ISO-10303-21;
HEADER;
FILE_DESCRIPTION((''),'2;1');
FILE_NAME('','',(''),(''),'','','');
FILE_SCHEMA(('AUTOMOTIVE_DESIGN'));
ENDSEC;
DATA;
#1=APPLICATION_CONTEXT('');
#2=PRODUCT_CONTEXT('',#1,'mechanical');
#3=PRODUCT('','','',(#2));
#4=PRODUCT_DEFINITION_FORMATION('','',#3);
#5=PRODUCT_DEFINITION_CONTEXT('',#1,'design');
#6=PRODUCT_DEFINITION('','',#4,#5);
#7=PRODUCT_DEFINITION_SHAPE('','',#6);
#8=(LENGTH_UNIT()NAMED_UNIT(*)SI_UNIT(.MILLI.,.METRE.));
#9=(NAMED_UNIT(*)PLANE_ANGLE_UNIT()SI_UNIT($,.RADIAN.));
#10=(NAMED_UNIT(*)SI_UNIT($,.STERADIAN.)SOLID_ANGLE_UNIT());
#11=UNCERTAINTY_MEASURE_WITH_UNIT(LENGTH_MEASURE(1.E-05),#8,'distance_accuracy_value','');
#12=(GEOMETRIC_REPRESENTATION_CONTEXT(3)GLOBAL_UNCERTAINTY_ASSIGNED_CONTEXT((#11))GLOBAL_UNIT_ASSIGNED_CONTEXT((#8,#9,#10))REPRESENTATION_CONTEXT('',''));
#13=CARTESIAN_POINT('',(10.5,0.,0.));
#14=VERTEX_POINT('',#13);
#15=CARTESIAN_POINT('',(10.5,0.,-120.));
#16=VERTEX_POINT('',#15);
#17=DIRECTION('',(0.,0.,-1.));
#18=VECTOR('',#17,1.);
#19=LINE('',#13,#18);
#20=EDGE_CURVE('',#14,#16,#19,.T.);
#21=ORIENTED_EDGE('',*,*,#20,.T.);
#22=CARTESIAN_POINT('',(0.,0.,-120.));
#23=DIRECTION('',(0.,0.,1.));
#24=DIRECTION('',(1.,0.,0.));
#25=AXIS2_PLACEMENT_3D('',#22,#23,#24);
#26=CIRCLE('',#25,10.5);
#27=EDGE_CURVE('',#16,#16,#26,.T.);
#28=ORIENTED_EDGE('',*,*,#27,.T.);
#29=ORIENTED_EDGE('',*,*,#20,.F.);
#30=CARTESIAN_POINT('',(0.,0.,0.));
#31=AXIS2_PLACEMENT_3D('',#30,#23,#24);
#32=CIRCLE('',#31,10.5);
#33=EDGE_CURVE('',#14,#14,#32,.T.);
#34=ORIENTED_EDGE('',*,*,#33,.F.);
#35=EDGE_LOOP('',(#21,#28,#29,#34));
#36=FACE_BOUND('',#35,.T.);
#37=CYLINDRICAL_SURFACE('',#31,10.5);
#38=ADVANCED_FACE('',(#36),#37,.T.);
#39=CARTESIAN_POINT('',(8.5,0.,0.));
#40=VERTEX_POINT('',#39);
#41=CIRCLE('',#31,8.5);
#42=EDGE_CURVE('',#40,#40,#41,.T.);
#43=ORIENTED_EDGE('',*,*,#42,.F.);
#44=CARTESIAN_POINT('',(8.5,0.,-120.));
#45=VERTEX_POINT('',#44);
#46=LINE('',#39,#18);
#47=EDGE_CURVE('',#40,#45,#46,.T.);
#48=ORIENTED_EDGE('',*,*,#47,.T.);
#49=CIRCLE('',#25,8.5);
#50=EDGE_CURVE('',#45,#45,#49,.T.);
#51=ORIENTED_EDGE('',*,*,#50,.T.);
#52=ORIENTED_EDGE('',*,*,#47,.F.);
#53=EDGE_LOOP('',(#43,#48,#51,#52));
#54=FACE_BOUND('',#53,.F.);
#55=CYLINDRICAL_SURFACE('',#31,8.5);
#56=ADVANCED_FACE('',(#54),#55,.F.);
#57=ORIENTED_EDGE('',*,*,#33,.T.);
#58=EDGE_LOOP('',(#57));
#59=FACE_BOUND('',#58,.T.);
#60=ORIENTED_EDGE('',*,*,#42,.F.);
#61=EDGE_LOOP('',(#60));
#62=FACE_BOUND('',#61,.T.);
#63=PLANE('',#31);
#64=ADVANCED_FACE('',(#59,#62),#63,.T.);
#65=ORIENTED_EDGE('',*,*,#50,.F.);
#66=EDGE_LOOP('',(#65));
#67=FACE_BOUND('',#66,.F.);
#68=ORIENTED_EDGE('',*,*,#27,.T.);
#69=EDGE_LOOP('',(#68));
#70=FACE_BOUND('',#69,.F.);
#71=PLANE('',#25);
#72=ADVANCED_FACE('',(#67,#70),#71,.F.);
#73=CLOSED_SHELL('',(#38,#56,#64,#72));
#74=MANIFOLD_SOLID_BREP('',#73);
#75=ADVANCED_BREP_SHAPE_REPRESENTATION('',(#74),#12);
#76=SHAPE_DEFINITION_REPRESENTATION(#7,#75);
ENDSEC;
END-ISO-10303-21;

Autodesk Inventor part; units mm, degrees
ref_plane "YZ Plane" through (0, 0, 0) normal (1, 0, 0) x (0, 1, 0)
ref_plane "XZ Plane" through (0, 0, 0) normal (0, 1, 0) x (-1, 0, 0)
ref_plane "XY Plane" through (0, 0, 0) normal (0, 0, 1) x (1, 0, 0)
sketch "Sketch11" plane through (0, 0, 0) normal (0, 0, 1) x (1, 0, 0)
  circle A0 centre (0, 0) radius 10.5
  circle A1 centre (0, 0) radius 8.5
  dimension "d187" = 21
  dimension "d188" = 2
extrude "Extrusion5" add sketch "Sketch11" against normal blind 120
properties part number "TZS 757 FDS 1200 way tube 4" material "Stainless Steel"
